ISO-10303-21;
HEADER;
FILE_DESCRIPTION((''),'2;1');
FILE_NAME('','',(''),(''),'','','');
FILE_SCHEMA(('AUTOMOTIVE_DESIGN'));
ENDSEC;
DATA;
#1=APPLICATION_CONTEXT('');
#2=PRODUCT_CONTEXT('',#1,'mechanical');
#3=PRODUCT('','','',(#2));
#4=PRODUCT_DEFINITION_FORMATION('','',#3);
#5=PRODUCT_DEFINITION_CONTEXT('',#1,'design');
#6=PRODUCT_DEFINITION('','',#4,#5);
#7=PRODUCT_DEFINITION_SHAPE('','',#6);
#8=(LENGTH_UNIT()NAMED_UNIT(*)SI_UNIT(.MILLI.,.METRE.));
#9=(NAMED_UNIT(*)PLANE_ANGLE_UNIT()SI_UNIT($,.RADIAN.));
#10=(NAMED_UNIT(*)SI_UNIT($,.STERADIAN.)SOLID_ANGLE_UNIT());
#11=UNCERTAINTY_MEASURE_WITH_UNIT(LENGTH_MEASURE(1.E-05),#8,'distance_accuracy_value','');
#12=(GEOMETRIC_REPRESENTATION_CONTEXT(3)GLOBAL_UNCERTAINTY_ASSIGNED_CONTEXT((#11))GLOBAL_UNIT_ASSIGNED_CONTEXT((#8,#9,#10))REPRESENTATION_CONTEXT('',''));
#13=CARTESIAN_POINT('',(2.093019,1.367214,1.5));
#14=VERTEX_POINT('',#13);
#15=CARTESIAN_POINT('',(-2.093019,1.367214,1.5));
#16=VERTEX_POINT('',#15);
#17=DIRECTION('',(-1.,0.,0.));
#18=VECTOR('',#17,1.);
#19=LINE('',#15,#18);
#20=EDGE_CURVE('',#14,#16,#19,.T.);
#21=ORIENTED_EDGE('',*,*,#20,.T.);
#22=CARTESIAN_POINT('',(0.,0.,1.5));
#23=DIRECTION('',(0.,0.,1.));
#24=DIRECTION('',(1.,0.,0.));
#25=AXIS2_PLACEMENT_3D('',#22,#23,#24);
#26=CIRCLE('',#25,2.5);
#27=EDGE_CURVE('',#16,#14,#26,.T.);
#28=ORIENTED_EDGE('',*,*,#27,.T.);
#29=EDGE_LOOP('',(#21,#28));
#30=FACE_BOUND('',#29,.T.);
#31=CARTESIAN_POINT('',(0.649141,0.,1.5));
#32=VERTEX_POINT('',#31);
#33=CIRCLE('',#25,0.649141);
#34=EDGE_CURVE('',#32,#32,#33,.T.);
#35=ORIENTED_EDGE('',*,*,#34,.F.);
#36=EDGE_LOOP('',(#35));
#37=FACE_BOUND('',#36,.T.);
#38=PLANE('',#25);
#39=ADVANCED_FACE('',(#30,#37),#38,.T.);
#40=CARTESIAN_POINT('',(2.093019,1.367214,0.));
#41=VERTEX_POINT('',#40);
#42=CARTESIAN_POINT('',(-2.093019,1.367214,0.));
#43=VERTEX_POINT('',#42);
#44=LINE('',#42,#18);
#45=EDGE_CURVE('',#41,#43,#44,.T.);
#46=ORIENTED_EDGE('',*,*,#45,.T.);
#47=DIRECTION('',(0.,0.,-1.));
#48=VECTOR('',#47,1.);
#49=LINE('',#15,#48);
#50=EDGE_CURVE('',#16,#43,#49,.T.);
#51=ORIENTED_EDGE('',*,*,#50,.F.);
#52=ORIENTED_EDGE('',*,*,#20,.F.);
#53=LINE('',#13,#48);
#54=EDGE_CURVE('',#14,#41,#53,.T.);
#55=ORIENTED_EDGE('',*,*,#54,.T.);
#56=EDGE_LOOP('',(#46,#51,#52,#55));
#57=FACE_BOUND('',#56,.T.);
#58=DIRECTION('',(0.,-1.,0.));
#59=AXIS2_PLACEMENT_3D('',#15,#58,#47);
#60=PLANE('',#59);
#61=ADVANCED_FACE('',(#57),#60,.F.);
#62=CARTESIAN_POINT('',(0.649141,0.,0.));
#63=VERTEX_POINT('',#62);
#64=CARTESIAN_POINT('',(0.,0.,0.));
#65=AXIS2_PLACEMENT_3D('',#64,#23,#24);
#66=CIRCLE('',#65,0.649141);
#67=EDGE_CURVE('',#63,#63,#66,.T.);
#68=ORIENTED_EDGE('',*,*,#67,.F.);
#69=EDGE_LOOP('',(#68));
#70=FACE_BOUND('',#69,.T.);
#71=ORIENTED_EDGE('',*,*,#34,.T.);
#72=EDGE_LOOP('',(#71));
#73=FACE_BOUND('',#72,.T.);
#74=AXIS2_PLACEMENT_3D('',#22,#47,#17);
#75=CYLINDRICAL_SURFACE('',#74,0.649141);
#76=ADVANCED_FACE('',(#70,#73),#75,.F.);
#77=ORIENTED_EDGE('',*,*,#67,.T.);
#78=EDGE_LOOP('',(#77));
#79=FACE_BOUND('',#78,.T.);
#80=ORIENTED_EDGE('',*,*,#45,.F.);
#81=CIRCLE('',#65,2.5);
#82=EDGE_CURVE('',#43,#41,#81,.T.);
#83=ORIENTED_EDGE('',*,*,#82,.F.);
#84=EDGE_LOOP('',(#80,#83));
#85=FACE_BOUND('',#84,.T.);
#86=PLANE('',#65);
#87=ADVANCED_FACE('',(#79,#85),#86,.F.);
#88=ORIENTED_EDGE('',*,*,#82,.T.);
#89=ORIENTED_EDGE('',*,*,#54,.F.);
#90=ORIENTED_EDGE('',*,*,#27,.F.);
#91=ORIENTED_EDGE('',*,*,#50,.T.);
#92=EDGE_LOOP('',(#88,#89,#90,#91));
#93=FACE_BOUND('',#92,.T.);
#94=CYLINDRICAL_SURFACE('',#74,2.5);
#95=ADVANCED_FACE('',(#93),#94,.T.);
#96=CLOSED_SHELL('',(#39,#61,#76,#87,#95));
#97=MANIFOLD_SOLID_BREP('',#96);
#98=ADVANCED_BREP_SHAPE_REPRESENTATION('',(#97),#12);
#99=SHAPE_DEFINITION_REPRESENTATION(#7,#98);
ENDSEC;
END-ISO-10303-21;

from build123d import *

# Parameters (mm, degrees)
SKETCH1_R           = 0.649141345
BOSS_EXTRUDE1_DEPTH = 1.5


with BuildPart() as part:
    # Sketch1 → Boss-Extrude1 (new body)
    with BuildSketch(Plane.XY):
        with BuildLine():
            Line((-2.093018544, 1.367213726), (2.093018544, 1.367213726))
            ThreePointArc((2.093018544, 1.367213726), (0, -2.5), (-2.093018544, 1.367213726))
        make_face()
        Circle(SKETCH1_R, mode=Mode.SUBTRACT)
    extrude(amount=BOSS_EXTRUDE1_DEPTH)


solid = part.part
